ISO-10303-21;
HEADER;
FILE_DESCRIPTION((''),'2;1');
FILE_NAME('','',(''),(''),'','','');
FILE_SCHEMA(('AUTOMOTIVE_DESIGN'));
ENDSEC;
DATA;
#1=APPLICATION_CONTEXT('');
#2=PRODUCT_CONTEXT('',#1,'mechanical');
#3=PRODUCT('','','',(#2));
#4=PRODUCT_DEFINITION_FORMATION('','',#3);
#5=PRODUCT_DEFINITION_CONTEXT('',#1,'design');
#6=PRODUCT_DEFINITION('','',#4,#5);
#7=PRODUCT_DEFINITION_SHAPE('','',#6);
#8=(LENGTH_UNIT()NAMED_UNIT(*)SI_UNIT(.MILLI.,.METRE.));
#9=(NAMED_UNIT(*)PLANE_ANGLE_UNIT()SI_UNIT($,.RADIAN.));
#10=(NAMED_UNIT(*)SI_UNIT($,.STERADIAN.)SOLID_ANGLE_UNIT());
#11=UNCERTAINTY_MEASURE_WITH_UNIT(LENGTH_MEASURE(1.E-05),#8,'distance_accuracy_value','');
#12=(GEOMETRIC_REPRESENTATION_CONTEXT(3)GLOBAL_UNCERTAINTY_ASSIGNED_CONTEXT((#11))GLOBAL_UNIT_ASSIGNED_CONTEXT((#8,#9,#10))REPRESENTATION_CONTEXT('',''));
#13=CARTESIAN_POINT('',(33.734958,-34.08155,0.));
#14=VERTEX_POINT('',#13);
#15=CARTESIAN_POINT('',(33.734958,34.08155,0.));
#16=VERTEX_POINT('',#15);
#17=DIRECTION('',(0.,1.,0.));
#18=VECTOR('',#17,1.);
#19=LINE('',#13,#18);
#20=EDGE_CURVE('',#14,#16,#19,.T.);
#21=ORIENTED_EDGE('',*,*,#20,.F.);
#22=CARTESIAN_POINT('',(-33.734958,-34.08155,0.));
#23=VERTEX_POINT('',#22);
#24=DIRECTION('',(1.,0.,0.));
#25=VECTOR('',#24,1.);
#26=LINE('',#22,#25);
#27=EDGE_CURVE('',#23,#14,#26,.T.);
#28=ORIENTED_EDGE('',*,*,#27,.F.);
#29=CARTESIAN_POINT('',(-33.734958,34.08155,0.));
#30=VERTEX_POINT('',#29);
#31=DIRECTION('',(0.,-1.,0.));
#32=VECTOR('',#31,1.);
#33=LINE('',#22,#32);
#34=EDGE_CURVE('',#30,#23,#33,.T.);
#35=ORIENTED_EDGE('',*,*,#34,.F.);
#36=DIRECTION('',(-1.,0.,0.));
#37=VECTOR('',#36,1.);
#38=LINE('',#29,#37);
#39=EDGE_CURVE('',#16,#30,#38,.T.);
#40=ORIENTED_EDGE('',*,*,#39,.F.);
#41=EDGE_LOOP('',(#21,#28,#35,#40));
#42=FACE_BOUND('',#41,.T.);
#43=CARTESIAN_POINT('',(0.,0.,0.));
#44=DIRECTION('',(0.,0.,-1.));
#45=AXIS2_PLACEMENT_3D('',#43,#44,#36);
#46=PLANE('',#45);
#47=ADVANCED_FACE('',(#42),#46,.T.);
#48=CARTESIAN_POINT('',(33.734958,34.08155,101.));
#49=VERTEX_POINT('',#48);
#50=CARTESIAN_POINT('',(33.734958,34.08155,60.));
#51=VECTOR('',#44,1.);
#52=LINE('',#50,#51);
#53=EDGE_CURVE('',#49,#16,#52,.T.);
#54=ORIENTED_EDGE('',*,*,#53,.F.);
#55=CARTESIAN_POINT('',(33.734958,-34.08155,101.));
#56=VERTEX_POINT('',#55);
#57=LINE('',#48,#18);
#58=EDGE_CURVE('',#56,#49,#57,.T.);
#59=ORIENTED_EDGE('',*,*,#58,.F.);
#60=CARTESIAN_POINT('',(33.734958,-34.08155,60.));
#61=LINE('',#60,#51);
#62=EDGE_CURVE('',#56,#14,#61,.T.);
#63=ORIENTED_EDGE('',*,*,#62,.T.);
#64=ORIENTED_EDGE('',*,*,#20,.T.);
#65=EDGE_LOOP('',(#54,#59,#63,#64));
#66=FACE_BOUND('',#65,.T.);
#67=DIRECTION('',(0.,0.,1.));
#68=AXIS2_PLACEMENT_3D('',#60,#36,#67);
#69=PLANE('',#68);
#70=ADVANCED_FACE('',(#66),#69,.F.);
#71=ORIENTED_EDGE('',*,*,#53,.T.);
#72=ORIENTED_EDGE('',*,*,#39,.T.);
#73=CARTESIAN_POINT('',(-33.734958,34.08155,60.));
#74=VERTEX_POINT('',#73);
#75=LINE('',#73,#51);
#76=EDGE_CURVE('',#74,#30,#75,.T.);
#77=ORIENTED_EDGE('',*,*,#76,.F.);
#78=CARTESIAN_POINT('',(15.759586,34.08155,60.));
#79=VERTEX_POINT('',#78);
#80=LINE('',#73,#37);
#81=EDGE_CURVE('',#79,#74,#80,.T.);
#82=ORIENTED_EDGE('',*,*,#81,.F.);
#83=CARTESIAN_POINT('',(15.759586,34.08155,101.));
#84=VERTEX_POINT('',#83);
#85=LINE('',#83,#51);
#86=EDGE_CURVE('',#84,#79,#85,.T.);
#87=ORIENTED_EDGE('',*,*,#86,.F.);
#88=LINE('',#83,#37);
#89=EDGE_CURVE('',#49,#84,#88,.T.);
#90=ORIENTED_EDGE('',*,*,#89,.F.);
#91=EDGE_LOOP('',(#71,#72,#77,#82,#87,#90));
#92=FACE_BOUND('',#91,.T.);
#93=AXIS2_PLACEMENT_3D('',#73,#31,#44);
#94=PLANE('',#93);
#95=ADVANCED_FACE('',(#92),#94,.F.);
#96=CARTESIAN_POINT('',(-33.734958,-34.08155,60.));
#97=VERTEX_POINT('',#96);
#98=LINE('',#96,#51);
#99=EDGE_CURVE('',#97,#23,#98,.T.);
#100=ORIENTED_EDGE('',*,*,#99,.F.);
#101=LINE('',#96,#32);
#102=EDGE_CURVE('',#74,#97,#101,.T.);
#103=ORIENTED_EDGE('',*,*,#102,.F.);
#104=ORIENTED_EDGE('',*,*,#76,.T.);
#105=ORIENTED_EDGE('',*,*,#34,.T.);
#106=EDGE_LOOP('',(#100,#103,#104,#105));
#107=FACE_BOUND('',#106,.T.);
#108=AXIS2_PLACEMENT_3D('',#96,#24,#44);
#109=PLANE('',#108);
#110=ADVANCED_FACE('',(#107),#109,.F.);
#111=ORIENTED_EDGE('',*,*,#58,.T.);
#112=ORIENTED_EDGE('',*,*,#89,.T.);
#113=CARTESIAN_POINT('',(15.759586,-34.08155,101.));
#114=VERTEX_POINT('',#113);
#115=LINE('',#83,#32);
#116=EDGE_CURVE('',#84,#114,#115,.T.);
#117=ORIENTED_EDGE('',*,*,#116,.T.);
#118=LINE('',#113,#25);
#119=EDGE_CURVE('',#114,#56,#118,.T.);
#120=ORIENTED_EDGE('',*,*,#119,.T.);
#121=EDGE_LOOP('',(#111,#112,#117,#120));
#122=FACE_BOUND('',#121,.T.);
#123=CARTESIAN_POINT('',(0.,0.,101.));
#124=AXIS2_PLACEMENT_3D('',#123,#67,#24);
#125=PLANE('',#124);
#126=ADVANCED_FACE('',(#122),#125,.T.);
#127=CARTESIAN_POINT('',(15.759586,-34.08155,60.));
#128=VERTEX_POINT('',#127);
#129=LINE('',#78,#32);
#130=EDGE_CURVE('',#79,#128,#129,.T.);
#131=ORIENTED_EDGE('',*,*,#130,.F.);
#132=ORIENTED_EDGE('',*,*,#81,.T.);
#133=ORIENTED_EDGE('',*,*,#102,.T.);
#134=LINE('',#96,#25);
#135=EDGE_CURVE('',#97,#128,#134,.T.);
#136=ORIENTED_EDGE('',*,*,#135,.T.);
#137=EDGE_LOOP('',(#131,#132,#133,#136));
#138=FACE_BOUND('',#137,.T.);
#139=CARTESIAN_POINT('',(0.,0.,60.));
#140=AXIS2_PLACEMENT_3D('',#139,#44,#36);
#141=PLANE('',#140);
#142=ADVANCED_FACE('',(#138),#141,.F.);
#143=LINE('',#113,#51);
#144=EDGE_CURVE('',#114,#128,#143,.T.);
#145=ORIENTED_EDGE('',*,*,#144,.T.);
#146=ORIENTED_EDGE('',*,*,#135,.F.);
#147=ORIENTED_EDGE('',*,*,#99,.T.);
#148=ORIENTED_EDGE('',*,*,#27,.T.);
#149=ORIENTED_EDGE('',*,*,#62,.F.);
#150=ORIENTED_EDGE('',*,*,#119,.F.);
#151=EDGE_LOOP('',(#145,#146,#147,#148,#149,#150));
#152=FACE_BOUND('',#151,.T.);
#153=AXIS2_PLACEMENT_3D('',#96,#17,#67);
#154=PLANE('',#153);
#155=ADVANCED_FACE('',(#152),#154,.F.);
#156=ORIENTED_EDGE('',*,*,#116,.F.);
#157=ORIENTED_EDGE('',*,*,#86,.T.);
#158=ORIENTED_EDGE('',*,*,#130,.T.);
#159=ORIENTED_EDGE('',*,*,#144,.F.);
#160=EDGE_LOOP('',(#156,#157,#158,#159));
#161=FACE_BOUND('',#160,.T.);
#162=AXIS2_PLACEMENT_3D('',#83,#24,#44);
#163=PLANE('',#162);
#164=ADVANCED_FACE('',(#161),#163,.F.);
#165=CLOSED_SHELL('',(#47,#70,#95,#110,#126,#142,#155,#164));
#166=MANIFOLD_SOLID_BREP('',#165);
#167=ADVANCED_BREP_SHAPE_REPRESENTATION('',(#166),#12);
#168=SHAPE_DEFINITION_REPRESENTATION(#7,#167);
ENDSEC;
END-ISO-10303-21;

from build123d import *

# Parameters (mm, degrees)
SKETCH1_W           = 67.469915498
SKETCH1_H           = 68.163099562
BOSS_EXTRUDE1_DEPTH = 60
SKETCH2_W           = 17.975371397
SKETCH2_H           = 68.163099562
BOSS_EXTRUDE2_DEPTH = 41


with BuildPart() as part:
    # Sketch1 → Boss-Extrude1 (new body)
    with BuildSketch(Plane.XY):
        Rectangle(SKETCH1_W, SKETCH1_H)
    extrude(amount=BOSS_EXTRUDE1_DEPTH)

    # Sketch2 → Boss-Extrude2 (add)
    with BuildSketch(Plane.XY.offset(60)):
        with Locations((24.747272051, 0)):
            Rectangle(SKETCH2_W, SKETCH2_H)
    extrude(amount=BOSS_EXTRUDE2_DEPTH)


solid = part.part
